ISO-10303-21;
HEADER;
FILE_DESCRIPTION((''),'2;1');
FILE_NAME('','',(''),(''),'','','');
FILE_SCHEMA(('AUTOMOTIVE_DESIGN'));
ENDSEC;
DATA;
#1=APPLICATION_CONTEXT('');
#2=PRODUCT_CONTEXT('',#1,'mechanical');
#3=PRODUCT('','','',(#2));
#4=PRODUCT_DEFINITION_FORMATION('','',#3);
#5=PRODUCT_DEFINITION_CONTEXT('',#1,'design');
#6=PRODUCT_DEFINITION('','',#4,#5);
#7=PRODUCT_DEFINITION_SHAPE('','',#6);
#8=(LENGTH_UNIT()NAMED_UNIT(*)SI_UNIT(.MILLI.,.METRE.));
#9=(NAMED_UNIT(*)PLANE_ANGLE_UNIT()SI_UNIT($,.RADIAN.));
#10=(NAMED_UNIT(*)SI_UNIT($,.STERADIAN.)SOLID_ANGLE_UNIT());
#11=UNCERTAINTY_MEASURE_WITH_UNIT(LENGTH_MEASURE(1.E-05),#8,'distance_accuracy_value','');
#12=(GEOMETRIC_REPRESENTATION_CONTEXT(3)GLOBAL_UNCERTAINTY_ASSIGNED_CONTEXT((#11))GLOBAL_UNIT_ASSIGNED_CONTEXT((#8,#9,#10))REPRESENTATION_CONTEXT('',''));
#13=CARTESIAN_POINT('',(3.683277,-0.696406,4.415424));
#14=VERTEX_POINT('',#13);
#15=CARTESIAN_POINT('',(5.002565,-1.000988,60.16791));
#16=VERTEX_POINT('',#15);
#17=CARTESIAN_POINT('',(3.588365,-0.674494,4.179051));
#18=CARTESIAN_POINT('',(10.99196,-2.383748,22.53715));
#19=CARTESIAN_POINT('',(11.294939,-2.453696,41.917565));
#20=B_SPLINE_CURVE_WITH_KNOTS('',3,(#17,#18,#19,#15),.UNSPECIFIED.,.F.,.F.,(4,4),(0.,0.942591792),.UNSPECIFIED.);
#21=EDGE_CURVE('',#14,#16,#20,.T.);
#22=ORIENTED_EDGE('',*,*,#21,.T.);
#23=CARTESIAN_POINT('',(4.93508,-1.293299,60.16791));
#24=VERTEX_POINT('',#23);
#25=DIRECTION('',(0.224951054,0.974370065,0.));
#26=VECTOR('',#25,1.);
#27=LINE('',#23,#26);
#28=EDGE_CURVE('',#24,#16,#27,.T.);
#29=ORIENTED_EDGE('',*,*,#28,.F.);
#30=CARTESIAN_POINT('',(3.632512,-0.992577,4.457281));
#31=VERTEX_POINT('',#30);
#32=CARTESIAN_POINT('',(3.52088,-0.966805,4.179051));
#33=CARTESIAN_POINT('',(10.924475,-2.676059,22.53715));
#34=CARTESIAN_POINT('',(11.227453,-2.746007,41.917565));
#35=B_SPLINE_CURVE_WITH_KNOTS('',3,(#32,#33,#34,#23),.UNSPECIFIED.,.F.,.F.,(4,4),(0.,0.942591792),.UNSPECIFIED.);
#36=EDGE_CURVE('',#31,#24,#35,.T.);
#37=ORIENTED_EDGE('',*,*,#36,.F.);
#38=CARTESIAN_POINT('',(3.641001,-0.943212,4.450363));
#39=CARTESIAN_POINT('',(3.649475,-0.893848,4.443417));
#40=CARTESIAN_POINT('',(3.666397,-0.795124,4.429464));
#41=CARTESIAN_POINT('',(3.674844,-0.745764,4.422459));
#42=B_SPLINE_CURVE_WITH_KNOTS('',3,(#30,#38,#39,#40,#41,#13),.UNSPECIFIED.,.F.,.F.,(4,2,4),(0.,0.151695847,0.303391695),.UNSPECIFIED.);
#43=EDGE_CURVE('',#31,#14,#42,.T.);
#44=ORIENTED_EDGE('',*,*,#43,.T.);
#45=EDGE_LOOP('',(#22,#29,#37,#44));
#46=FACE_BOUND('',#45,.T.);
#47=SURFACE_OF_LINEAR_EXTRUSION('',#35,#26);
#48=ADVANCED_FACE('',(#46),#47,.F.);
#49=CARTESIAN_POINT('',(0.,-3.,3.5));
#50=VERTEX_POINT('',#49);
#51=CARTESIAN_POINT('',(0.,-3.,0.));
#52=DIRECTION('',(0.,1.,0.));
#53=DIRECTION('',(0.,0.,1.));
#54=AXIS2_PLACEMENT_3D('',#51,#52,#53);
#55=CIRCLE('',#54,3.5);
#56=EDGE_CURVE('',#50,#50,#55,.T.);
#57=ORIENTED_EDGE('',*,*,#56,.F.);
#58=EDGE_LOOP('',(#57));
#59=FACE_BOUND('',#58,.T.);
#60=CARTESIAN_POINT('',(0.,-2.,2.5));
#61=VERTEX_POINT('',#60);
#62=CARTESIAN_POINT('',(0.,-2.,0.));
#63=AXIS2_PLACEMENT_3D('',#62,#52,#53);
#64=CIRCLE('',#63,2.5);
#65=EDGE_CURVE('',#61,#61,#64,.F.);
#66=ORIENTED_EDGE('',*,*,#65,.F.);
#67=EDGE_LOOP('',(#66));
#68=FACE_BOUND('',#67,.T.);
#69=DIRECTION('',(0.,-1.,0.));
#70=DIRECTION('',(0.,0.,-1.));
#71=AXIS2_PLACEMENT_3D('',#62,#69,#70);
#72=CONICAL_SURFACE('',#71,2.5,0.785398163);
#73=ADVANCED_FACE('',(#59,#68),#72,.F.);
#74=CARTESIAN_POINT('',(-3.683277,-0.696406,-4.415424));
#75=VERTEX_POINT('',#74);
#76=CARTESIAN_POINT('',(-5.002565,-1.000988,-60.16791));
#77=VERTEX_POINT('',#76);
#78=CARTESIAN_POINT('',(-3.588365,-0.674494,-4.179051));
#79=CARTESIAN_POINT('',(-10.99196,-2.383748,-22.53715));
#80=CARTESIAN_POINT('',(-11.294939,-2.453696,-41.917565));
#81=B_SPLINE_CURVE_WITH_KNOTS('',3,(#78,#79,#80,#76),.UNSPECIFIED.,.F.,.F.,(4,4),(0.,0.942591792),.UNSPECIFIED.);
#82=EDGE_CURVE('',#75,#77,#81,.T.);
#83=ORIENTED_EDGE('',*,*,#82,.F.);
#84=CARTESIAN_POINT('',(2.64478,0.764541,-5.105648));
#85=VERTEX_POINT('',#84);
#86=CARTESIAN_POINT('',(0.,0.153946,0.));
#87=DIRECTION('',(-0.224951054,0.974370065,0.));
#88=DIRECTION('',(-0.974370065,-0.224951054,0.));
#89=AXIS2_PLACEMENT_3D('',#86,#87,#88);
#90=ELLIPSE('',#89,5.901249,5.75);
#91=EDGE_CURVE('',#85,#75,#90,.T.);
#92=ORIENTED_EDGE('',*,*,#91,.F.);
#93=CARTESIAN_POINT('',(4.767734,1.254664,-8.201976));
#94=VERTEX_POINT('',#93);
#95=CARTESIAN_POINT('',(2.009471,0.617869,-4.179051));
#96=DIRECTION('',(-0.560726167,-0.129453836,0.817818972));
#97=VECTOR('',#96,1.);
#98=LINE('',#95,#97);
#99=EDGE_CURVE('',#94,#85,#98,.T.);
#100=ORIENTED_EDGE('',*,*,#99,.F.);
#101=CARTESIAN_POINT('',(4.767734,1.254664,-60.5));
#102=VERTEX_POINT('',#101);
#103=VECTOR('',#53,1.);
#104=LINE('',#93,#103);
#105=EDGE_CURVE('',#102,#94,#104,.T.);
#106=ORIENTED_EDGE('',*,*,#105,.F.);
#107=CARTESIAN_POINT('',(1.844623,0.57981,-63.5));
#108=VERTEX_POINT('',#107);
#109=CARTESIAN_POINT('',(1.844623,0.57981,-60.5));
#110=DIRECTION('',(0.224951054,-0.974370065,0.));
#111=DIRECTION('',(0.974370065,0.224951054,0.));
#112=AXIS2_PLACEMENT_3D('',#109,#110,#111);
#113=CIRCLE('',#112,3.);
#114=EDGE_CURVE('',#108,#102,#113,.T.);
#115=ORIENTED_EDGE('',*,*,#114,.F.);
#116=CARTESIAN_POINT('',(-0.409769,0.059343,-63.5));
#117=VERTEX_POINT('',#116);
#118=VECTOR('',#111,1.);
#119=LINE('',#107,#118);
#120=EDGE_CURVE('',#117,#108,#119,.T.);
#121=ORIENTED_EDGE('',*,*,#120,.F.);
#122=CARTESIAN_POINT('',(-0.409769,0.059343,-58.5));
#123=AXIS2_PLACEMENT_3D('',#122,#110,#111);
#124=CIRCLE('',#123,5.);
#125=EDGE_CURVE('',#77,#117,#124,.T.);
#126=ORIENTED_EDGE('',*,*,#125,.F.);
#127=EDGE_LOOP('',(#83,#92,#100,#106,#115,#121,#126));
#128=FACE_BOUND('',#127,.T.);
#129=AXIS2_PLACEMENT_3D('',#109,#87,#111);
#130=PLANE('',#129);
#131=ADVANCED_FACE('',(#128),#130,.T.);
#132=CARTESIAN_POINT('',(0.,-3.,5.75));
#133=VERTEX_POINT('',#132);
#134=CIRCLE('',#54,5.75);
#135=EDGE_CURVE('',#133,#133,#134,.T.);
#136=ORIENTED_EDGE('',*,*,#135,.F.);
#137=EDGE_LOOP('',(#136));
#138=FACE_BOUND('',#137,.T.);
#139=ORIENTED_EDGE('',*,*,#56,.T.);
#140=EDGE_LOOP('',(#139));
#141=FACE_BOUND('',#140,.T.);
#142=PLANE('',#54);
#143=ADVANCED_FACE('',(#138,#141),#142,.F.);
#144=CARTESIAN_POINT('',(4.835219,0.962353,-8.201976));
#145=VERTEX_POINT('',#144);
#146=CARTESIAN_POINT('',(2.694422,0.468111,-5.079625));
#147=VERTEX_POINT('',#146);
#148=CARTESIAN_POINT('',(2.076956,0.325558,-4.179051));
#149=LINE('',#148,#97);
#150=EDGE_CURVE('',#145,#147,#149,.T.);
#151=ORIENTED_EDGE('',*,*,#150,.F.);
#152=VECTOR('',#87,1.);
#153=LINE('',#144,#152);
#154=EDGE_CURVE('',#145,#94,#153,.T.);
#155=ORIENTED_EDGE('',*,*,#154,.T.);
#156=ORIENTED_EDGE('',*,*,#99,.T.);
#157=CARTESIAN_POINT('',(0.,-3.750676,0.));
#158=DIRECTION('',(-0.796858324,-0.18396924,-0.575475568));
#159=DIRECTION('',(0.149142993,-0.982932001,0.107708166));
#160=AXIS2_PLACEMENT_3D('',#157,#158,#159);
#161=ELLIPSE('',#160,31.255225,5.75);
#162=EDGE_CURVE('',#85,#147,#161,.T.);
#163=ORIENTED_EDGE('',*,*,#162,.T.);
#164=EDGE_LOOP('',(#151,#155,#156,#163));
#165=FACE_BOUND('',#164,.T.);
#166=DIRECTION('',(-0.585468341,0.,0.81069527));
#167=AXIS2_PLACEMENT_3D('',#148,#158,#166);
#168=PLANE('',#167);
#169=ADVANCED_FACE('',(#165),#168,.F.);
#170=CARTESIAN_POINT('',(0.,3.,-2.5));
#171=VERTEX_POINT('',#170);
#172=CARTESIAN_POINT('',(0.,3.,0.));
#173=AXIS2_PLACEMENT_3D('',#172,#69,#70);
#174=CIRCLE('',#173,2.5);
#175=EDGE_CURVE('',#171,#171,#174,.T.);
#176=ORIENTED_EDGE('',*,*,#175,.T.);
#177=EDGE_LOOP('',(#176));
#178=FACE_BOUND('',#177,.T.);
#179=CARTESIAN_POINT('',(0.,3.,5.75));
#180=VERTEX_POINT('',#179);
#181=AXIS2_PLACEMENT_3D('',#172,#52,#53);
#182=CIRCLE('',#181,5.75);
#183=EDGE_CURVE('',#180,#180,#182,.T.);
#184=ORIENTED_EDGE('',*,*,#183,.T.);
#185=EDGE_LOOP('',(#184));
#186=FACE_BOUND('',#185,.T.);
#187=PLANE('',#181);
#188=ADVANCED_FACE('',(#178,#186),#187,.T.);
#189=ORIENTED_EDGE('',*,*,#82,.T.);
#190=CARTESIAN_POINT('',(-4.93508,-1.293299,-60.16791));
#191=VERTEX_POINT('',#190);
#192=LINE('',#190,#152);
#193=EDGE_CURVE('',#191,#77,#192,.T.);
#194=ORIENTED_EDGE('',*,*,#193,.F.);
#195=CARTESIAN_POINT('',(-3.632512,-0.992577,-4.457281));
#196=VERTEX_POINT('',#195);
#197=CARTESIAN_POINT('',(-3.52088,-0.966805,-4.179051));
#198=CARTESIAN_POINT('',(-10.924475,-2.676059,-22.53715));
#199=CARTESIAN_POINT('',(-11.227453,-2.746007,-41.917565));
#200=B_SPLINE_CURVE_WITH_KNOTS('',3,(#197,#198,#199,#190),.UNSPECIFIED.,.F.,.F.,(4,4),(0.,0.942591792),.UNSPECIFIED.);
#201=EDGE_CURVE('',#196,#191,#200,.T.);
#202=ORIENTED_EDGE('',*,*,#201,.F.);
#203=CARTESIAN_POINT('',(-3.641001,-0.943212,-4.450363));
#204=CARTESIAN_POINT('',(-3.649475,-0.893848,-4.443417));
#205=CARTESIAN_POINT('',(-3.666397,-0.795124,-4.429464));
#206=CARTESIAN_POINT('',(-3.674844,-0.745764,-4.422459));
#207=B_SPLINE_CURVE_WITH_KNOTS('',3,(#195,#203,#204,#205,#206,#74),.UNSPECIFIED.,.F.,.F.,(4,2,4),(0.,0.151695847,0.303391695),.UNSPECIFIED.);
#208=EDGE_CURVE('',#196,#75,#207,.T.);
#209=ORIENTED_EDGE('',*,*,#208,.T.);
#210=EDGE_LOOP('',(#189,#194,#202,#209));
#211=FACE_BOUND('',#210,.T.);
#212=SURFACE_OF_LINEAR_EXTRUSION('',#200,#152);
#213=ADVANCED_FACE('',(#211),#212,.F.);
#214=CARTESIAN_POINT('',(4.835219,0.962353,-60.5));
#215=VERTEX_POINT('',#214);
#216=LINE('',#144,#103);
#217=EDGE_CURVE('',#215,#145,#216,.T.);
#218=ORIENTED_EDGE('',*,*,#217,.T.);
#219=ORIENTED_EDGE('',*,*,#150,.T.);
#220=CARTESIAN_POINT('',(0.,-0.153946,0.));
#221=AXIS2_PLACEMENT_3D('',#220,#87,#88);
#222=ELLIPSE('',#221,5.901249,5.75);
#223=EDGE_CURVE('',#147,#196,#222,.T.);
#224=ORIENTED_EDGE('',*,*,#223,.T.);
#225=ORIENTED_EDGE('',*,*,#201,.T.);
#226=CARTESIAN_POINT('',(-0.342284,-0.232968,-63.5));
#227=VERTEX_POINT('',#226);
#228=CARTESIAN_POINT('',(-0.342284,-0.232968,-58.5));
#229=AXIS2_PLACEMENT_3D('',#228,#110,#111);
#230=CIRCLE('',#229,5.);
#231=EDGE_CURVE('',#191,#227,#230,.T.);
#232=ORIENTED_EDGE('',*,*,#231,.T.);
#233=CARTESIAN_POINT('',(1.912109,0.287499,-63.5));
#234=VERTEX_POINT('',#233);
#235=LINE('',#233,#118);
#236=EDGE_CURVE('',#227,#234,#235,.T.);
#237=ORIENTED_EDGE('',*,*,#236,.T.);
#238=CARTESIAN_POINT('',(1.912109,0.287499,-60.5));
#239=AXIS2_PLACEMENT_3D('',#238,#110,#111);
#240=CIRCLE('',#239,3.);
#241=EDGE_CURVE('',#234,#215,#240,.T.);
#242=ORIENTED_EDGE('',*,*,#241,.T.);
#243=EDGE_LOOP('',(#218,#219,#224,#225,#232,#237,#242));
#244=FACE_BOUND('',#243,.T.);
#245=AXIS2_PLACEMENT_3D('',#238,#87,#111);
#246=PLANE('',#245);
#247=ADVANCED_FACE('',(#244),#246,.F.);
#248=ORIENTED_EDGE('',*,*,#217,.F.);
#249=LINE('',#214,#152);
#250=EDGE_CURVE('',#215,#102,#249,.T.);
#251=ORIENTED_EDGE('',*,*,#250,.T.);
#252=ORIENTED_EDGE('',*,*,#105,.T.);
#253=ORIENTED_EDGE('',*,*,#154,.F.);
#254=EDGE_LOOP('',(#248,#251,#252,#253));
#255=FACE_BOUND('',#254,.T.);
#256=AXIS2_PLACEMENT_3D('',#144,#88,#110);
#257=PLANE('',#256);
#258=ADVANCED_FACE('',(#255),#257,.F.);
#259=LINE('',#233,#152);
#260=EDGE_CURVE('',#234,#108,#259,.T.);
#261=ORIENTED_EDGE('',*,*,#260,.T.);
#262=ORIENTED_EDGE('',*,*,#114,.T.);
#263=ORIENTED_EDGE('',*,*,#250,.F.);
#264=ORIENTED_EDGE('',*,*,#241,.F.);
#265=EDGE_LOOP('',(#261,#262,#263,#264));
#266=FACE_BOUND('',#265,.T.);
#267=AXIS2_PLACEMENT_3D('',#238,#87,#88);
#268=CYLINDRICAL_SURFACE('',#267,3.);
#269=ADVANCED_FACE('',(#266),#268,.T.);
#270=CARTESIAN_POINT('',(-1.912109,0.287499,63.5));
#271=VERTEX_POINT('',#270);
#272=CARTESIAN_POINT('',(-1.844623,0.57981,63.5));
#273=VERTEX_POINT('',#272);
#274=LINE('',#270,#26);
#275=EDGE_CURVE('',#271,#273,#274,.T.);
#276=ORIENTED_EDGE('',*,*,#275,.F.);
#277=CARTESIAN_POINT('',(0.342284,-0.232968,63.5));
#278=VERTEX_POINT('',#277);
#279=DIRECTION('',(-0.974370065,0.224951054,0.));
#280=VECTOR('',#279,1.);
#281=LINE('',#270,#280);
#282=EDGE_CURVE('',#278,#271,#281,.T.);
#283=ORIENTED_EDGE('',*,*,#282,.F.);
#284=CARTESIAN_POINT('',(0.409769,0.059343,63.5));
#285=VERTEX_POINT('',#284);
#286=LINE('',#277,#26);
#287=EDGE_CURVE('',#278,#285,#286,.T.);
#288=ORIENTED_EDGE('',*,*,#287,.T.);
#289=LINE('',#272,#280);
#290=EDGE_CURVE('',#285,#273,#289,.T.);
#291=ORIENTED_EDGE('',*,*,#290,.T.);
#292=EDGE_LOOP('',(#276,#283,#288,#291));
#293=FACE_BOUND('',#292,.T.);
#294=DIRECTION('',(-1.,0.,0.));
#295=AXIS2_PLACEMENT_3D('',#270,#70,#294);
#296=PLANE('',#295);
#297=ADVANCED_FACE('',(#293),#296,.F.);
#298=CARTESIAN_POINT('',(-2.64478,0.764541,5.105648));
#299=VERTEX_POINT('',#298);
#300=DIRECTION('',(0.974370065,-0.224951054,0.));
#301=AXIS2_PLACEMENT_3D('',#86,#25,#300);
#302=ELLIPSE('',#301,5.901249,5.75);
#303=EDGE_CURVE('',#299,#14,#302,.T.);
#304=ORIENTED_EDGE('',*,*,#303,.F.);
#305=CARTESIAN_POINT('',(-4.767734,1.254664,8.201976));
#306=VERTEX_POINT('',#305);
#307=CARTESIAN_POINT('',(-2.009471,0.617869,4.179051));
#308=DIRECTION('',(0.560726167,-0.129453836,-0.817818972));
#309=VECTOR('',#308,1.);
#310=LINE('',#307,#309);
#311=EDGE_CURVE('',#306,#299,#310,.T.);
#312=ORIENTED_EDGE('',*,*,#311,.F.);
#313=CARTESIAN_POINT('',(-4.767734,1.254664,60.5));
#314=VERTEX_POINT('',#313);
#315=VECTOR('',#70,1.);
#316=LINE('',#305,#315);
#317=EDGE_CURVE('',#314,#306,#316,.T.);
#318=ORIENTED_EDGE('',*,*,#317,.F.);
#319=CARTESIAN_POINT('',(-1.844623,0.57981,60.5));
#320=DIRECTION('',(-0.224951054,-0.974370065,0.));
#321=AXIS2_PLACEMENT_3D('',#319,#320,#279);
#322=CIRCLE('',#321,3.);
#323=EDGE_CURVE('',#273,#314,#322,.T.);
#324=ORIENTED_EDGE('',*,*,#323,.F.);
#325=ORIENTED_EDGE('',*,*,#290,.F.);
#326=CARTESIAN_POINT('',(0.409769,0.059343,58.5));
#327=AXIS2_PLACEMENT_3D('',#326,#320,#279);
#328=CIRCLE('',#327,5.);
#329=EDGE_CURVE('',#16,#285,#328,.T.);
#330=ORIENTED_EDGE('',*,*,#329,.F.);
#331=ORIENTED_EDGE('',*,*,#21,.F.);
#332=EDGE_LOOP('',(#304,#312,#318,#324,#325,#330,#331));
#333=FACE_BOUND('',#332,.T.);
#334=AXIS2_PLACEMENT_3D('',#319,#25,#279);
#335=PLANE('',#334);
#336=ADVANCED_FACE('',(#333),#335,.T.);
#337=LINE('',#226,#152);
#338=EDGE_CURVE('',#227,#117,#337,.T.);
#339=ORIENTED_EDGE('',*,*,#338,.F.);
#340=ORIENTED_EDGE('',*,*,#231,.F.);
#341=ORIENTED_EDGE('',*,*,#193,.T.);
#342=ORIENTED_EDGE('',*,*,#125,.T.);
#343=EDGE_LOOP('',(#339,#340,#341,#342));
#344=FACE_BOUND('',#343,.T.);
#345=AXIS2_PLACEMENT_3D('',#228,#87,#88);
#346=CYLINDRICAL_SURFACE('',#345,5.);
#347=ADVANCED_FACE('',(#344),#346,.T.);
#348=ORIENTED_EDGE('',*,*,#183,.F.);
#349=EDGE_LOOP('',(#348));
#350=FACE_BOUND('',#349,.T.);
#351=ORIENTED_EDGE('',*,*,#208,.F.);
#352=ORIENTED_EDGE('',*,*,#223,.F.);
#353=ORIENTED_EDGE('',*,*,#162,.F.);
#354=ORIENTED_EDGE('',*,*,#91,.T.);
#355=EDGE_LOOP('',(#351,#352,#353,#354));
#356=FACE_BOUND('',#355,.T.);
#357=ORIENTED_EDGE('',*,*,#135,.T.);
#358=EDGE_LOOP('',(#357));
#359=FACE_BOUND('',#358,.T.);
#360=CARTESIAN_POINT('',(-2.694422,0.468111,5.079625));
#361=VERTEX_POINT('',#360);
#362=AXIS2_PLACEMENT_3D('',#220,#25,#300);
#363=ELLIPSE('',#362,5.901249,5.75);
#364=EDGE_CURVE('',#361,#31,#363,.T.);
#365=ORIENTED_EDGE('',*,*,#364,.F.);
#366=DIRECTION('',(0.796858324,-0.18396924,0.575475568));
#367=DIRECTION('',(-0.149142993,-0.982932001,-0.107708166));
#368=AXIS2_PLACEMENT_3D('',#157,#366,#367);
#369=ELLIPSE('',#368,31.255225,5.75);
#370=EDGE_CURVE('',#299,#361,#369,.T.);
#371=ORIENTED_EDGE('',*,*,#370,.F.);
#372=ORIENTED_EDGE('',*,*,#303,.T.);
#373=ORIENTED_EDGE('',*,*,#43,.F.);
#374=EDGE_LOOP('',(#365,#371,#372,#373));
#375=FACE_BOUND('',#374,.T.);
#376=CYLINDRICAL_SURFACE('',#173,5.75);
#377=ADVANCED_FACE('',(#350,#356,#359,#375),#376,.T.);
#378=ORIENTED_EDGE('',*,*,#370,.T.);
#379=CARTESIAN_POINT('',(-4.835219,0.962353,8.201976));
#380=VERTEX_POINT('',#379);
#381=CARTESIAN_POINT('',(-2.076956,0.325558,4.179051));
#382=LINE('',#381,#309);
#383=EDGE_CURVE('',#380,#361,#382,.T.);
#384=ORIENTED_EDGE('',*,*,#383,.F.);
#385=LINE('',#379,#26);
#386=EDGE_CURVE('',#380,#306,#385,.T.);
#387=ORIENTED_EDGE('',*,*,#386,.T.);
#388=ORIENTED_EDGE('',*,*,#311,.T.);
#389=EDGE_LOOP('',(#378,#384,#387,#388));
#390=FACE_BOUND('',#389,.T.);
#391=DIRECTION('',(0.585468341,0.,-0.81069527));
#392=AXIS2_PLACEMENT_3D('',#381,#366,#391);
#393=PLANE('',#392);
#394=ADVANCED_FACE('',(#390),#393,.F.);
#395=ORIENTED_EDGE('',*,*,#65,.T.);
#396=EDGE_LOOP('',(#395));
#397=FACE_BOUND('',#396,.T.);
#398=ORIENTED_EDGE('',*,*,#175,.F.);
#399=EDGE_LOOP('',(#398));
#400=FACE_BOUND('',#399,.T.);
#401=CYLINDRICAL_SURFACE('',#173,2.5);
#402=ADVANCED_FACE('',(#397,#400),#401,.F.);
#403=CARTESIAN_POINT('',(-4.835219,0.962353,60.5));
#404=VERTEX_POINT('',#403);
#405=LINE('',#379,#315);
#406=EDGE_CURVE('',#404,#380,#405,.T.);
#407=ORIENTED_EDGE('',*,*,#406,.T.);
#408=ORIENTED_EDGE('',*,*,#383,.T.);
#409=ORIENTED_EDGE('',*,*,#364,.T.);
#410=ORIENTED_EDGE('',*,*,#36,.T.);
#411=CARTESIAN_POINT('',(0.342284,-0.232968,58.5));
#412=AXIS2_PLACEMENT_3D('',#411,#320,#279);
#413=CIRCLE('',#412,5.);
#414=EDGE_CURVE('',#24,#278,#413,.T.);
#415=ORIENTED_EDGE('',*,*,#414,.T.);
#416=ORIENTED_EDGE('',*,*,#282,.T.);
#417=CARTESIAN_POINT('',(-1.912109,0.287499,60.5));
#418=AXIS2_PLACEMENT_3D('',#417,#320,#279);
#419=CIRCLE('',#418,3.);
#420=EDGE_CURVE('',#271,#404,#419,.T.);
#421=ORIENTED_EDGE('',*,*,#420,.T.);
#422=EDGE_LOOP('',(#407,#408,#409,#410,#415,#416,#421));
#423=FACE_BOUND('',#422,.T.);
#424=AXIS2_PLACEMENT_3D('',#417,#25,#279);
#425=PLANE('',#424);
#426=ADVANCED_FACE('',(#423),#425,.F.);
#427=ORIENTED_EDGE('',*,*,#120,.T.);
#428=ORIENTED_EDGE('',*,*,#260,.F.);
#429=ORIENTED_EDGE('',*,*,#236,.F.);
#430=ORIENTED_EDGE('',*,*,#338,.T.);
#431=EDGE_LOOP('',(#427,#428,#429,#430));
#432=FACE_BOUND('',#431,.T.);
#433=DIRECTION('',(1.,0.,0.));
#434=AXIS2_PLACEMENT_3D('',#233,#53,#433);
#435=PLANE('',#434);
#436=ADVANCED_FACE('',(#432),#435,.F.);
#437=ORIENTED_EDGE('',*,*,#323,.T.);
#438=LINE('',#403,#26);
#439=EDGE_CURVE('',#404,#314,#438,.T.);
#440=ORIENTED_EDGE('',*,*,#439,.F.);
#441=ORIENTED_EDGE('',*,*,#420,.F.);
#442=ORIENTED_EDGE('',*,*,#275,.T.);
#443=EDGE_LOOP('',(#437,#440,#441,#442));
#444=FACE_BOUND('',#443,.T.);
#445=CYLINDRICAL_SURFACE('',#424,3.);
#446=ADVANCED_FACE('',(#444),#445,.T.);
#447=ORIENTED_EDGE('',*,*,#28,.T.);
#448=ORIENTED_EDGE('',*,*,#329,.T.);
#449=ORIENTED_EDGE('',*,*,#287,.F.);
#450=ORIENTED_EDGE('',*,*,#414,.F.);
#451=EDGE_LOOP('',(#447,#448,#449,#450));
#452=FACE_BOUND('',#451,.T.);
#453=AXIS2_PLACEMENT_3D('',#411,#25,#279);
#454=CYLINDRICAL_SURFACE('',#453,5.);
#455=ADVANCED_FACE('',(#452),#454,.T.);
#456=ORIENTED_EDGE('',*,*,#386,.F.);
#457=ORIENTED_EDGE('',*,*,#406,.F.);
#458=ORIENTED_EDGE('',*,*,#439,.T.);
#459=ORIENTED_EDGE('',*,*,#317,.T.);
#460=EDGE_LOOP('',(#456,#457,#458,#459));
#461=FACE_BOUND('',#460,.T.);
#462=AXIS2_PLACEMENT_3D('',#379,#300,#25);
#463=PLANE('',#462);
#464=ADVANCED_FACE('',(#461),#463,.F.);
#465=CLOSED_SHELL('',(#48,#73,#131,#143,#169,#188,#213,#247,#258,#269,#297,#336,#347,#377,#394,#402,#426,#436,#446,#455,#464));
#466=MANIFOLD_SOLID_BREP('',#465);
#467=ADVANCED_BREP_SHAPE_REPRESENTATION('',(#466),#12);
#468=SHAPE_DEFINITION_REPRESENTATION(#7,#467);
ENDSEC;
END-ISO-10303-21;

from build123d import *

# Parameters (mm, degrees)
SKETCH1_R           = 5.75
BOSS_EXTRUDE1_DEPTH = 3
BOSS_EXTRUDE2_DEPTH = 0.15
CIRPATTERN1_COUNT   = 2
SKETCH5_R           = 2.5
CUT_EXTRUDE1_DEPTH  = 65.479328162
CHAMFER1_SIZE       = 1


with BuildPart() as part:
    # Sketch1 → Boss-Extrude1 (new, symmetric)
    with BuildSketch(Plane(origin=(0, 0, 0), x_dir=(1, 0, 0), z_dir=(0, 1, 0))):
        with Locations(Location((0, 0, 0), (0, 0, 270))):
            Circle(SKETCH1_R)
    extrude(amount=BOSS_EXTRUDE1_DEPTH, both=True)

    # Sketch4 → Boss-Extrude2 (add, symmetric)
    with BuildSketch(Plane(origin=(0, 0, 0), x_dir=(0.9743700647852352, -0.22495105434386534, 0), z_dir=(-0.2249510543438653, -0.9743700647852351, 0))):
        with BuildLine():
            Line((-2.09695858, 4.179050657), (-4.927774709, 8.201975805))
            Line((-4.927774709, 8.201975805), (-4.927774709, 60.5))
            ThreePointArc((-4.927774709, 60.5), (-4.049095053, 62.621320344), (-1.927774709, 63.5))
            Line((-1.927774709, 63.5), (0.385917788, 63.5))
            ThreePointArc((0.385917788, 63.5), (3.272130568, 62.582863675), (5.099523115, 60.167910314))
            add(Edge.make_bspline(
                [(3.648123834, 4.179050657), (11.246463355, 22.537150452), (11.557411768, 41.917565493), (5.099523115, 60.167910314)],
                knots=[0, 0, 0, 0, 0.942591792, 0.942591792, 0.942591792, 0.942591792], degree=3))
            Line((3.648123834, 4.179050657), (-2.09695858, 4.179050657))
        make_face()
    boss_extrude2 = extrude(amount=BOSS_EXTRUDE2_DEPTH, both=True)

    # CirPattern1: Boss-Extrude2 ×2 about axis
    cirpattern1_axis = Axis((0, -3, 0), (0, 1, 0))
    for i in range(1, CIRPATTERN1_COUNT):
        add(boss_extrude2.rotate(cirpattern1_axis, i * 360 / CIRPATTERN1_COUNT))

    # Sketch5 → Cut-Extrude1 (cut, through all)
    with BuildSketch(Plane.XZ.offset(3)):
        with Locations(Location((0, 0, 0), (0, 0, 270))):
            Circle(SKETCH5_R)
    extrude(amount=-CUT_EXTRUDE1_DEPTH, mode=Mode.SUBTRACT)

    # Chamfer1
    chamfer1_edges = [part.edges().sort_by_distance(p)[0] for p in [
        (0, -3, 2.5),
    ]]
    chamfer(chamfer1_edges, length=CHAMFER1_SIZE)


solid = part.part
